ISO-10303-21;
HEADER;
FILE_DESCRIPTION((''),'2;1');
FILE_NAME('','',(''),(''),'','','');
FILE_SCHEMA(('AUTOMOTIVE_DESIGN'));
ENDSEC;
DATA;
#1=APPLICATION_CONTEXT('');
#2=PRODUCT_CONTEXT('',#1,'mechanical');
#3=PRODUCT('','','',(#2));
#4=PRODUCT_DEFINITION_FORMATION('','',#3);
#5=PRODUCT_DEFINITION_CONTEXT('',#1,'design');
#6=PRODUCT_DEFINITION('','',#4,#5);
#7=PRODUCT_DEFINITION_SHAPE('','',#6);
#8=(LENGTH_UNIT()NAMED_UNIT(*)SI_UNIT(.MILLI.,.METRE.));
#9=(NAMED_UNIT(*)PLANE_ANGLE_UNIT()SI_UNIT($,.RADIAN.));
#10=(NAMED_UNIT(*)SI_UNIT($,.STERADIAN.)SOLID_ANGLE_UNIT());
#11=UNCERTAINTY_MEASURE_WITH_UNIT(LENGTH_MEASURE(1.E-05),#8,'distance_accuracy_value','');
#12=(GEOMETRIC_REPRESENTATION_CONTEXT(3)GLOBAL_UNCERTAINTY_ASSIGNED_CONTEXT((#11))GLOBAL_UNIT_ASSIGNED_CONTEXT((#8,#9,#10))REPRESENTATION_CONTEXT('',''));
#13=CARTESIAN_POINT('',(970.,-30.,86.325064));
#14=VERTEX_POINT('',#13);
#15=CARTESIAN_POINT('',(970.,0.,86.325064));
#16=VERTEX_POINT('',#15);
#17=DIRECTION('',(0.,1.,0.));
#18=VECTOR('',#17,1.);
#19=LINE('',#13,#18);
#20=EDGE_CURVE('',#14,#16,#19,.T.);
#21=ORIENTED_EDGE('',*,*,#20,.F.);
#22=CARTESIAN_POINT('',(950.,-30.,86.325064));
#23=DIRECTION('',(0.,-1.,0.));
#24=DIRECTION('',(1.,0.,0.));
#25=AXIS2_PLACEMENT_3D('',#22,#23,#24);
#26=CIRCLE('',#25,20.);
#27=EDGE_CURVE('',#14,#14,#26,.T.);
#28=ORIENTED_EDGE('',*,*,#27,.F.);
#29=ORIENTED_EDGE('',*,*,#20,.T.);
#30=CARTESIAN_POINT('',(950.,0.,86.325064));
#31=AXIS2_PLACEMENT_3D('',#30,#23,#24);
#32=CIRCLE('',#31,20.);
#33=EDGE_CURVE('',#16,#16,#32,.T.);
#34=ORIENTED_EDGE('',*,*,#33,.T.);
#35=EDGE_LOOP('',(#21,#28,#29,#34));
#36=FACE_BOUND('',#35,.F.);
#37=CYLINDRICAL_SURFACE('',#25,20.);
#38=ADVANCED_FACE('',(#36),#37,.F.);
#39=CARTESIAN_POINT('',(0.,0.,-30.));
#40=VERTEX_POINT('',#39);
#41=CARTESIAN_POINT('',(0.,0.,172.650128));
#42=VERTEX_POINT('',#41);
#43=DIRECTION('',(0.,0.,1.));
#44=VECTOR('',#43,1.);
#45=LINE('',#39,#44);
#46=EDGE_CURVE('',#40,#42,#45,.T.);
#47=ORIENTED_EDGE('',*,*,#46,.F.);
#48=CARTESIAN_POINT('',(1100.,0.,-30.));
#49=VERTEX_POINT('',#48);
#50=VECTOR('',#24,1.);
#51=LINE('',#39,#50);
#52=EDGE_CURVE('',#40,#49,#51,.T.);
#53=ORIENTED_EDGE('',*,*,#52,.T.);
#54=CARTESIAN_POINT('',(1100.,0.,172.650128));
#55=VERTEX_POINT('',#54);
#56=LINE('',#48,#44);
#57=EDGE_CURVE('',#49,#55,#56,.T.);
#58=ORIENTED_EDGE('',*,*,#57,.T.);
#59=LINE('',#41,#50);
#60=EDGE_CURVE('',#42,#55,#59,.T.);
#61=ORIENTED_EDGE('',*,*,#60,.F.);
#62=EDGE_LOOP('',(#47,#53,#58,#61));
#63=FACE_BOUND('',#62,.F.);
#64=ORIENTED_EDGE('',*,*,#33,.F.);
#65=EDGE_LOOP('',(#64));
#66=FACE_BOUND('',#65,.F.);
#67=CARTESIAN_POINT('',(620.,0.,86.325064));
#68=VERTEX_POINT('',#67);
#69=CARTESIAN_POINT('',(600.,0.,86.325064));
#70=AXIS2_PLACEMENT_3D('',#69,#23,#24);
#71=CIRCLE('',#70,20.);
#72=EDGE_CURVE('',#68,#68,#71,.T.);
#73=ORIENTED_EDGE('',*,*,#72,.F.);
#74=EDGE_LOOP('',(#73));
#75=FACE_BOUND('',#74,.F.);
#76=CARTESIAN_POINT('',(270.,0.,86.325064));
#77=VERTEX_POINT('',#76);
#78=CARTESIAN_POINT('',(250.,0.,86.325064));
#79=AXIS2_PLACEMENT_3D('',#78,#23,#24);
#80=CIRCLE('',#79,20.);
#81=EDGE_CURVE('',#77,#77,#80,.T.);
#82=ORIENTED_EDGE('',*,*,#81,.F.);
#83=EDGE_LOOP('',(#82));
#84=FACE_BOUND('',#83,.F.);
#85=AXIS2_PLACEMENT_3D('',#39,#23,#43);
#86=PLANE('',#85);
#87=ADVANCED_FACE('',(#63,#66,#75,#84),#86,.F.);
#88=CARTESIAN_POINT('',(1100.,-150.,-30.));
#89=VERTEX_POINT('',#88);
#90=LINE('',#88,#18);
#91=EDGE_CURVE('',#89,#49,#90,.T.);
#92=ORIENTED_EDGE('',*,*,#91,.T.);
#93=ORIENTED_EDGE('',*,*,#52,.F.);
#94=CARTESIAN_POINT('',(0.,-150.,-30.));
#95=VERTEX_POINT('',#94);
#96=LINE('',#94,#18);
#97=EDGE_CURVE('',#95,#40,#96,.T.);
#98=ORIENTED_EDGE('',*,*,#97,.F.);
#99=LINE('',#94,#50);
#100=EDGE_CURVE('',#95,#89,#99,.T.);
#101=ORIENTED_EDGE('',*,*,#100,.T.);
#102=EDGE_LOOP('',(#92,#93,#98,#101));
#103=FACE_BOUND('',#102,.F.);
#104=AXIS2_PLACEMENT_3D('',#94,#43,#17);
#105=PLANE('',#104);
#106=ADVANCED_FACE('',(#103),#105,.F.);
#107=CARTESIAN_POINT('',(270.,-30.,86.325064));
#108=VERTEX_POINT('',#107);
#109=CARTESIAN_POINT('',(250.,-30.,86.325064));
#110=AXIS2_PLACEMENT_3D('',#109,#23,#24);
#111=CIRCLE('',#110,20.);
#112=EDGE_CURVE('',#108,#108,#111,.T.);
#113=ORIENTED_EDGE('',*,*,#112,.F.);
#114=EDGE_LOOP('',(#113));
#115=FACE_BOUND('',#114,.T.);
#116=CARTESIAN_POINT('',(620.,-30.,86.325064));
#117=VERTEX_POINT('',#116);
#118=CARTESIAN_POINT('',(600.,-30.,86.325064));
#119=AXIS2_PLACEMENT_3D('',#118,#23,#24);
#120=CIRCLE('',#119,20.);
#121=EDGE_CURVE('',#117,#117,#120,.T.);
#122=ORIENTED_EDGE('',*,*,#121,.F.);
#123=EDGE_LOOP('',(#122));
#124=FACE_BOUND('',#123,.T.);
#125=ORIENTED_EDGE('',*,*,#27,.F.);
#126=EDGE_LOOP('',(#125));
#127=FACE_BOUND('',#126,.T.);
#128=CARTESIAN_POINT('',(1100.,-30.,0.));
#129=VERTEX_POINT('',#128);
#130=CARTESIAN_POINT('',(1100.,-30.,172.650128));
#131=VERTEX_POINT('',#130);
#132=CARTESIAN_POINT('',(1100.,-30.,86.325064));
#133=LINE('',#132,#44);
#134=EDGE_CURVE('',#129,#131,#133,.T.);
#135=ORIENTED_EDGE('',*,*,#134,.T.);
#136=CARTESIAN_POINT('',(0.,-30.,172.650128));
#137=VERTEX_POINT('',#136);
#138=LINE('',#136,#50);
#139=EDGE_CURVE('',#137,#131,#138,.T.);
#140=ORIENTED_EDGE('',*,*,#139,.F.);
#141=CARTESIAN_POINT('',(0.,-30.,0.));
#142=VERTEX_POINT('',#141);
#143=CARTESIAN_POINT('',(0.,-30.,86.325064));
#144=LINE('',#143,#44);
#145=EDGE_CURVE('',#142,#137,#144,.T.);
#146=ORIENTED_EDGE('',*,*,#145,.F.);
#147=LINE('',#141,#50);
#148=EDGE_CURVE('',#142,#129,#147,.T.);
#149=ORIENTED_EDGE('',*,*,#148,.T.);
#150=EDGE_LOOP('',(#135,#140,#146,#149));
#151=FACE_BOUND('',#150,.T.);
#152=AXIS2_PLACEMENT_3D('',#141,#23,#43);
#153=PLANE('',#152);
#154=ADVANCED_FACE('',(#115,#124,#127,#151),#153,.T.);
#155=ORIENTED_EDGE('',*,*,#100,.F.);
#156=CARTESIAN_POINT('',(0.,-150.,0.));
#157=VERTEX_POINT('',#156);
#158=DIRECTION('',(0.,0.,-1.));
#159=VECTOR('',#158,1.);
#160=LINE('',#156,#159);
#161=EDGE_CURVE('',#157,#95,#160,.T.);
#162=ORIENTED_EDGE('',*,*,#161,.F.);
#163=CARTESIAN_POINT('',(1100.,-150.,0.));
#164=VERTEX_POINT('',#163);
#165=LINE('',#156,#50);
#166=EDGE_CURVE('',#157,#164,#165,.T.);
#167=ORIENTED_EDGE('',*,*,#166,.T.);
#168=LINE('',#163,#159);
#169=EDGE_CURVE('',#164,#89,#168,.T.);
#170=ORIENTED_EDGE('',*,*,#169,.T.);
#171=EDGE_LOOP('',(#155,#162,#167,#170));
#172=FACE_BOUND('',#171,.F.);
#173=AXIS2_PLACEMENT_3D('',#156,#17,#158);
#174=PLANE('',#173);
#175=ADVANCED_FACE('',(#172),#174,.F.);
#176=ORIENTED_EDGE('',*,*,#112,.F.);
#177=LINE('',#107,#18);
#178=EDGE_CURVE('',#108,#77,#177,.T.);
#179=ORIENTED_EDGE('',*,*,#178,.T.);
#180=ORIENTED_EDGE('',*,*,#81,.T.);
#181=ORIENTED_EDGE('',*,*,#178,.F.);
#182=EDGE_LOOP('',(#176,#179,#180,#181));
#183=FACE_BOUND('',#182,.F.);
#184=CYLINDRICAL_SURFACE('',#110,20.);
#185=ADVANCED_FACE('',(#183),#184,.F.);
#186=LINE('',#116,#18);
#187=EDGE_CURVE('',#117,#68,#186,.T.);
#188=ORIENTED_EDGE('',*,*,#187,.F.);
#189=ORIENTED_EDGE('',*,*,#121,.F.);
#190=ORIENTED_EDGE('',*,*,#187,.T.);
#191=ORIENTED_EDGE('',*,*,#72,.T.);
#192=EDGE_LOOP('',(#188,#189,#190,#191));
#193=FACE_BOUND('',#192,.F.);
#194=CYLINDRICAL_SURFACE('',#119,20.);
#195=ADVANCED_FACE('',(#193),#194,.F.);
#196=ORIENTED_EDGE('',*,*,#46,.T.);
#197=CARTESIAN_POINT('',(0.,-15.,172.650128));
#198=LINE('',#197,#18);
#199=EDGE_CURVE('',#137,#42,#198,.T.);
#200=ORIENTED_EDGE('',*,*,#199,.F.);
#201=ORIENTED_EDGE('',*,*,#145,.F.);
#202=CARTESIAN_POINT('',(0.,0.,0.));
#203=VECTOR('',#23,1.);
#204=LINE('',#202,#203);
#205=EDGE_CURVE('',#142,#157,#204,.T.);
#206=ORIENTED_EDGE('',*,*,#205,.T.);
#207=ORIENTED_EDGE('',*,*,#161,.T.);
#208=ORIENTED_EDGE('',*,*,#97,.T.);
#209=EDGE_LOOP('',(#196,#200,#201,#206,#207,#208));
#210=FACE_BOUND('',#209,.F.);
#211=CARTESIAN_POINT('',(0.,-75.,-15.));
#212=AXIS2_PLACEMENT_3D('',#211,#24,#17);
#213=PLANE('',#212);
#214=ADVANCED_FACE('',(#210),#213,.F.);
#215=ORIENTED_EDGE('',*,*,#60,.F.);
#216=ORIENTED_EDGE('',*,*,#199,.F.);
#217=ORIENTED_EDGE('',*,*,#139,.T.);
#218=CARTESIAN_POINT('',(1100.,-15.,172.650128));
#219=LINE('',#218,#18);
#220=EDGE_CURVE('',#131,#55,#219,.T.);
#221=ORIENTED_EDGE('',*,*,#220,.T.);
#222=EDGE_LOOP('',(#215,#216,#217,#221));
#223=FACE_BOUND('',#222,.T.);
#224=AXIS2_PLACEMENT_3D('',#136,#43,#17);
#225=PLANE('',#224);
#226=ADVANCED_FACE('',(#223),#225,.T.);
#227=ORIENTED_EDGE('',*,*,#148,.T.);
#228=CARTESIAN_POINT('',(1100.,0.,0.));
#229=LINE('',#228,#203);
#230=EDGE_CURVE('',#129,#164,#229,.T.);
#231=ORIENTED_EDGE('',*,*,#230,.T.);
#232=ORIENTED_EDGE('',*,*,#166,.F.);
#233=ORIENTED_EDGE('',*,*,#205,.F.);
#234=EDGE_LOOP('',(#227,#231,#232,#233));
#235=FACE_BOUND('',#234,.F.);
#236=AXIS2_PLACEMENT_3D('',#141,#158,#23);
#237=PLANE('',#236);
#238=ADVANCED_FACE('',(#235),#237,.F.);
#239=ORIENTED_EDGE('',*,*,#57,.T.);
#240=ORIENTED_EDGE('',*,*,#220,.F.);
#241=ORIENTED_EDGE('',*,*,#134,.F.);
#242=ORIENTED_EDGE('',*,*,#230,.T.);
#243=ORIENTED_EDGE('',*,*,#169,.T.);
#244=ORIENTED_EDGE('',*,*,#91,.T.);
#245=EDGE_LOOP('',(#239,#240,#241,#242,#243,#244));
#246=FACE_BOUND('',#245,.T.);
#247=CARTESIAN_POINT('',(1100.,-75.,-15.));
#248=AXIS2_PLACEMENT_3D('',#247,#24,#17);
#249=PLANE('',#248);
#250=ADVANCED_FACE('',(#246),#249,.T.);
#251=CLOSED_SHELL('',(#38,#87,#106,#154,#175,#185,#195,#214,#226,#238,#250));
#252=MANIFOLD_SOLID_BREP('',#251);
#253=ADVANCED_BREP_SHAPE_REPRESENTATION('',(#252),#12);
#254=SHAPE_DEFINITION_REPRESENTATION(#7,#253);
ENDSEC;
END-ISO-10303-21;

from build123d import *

# Parameters (mm, degrees)
F0_W     = 30
F0_H     = 172.650129
F1_DEPTH = 1100
F2_R     = 20
F3_DEPTH = 30.001


with BuildPart() as f1:
    # F0 (on Right) → F1 (new body)
    with BuildSketch(Plane.YZ):
        Polygon((0, -30), (0, 0), (-30, 0), (-150, 0), (-150, -30), align=None)
        with Locations((-15, 86.325064)):
            Rectangle(F0_W, F0_H)
    extrude(amount=F1_DEPTH)

    # F2 (on face) → F3 (cut, through all)
    with BuildSketch(Plane.XZ.offset(30)):
        with Locations((250, 86.325064)):
            Circle(F2_R)
        with Locations((600, 86.325064)):
            Circle(F2_R)
        with Locations((950, 86.325064)):
            Circle(F2_R)
        with Locations((1300, 86.325064)):
            Circle(F2_R)
    extrude(amount=-F3_DEPTH, mode=Mode.SUBTRACT)


solid = f1.part
